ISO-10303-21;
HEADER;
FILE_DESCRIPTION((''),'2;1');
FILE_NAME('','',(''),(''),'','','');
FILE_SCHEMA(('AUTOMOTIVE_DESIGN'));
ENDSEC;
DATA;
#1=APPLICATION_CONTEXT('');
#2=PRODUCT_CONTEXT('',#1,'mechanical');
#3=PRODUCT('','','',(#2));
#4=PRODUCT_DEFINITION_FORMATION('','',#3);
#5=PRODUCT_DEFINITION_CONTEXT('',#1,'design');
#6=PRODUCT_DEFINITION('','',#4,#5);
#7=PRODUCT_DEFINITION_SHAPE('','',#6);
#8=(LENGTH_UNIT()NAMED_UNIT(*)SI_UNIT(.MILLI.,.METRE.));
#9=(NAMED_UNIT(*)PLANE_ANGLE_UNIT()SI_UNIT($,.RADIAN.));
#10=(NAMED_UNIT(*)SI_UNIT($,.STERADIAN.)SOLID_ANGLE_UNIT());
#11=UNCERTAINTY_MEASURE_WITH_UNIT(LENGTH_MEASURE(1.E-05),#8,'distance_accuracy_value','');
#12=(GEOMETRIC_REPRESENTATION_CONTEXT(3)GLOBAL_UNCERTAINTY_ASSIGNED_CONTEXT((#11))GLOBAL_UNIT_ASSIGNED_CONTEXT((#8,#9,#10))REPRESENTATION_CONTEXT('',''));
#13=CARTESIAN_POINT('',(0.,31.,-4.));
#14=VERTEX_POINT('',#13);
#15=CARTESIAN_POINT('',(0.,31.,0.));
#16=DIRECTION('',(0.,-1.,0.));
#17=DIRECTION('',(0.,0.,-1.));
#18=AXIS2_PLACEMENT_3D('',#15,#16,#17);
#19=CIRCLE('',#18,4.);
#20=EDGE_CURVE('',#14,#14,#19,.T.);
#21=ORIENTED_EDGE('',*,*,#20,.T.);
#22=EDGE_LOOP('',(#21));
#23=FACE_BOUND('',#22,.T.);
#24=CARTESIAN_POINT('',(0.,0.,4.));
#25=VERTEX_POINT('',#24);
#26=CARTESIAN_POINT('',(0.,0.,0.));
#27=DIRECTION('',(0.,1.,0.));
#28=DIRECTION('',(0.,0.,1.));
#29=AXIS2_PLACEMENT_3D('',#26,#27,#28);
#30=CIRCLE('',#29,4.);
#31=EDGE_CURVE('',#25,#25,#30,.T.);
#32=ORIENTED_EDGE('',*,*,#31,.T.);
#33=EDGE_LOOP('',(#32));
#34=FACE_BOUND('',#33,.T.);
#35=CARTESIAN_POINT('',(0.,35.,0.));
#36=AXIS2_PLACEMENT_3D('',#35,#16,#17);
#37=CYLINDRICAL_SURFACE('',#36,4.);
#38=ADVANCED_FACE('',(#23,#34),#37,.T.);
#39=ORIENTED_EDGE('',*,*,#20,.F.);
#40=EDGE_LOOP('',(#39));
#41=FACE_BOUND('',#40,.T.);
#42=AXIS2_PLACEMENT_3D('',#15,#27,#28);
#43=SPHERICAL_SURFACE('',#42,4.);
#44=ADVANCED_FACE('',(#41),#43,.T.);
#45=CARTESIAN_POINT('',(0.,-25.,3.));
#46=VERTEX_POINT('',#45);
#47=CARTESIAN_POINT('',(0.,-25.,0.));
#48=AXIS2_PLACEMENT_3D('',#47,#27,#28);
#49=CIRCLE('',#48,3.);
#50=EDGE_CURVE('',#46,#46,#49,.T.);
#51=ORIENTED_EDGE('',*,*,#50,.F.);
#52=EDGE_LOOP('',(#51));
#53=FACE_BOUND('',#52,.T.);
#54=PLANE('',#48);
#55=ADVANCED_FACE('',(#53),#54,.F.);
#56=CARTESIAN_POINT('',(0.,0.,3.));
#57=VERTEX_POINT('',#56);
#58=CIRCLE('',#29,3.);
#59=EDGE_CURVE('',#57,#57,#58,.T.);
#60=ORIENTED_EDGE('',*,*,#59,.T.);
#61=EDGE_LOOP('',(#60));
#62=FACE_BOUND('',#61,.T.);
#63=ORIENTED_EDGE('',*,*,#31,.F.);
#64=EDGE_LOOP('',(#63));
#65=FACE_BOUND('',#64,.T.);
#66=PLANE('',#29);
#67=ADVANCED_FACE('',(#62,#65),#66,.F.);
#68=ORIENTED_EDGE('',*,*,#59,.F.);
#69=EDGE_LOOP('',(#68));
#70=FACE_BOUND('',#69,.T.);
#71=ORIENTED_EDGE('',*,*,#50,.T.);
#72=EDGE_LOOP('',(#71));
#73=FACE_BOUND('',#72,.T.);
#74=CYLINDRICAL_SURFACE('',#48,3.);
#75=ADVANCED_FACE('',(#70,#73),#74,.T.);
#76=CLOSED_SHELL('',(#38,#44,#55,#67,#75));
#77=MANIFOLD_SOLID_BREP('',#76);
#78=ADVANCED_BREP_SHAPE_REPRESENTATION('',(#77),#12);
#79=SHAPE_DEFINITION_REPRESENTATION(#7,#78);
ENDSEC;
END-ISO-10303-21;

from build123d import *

# Parameters (mm, degrees)
SKETCH1_R           = 4
BOSS_EXTRUDE1_DEPTH = 35
SKETCH1_3_R         = 3
BOSS_EXTRUDE2_DEPTH = 25
FILLET1_R           = 4


with BuildPart() as part:
    # Sketch1 → Boss-Extrude1 (new body)
    with BuildSketch(Plane(origin=(0, 0, 0), x_dir=(1, 0, 0), z_dir=(0, 1, 0))):
        Circle(SKETCH1_R)
    extrude(amount=BOSS_EXTRUDE1_DEPTH)

    # Sketch1<3> → Boss-Extrude2 (add)
    with BuildSketch(Plane(origin=(0, 0, 0), x_dir=(1, 0, 0), z_dir=(0, 1, 0))):
        Circle(SKETCH1_3_R)
    extrude(amount=-BOSS_EXTRUDE2_DEPTH)

    # Fillet1
    fillet1_edges = [part.edges().sort_by_distance(p)[0] for p in [
        (-4, 35, 0),
    ]]
    fillet(fillet1_edges, radius=FILLET1_R)


solid = part.part
